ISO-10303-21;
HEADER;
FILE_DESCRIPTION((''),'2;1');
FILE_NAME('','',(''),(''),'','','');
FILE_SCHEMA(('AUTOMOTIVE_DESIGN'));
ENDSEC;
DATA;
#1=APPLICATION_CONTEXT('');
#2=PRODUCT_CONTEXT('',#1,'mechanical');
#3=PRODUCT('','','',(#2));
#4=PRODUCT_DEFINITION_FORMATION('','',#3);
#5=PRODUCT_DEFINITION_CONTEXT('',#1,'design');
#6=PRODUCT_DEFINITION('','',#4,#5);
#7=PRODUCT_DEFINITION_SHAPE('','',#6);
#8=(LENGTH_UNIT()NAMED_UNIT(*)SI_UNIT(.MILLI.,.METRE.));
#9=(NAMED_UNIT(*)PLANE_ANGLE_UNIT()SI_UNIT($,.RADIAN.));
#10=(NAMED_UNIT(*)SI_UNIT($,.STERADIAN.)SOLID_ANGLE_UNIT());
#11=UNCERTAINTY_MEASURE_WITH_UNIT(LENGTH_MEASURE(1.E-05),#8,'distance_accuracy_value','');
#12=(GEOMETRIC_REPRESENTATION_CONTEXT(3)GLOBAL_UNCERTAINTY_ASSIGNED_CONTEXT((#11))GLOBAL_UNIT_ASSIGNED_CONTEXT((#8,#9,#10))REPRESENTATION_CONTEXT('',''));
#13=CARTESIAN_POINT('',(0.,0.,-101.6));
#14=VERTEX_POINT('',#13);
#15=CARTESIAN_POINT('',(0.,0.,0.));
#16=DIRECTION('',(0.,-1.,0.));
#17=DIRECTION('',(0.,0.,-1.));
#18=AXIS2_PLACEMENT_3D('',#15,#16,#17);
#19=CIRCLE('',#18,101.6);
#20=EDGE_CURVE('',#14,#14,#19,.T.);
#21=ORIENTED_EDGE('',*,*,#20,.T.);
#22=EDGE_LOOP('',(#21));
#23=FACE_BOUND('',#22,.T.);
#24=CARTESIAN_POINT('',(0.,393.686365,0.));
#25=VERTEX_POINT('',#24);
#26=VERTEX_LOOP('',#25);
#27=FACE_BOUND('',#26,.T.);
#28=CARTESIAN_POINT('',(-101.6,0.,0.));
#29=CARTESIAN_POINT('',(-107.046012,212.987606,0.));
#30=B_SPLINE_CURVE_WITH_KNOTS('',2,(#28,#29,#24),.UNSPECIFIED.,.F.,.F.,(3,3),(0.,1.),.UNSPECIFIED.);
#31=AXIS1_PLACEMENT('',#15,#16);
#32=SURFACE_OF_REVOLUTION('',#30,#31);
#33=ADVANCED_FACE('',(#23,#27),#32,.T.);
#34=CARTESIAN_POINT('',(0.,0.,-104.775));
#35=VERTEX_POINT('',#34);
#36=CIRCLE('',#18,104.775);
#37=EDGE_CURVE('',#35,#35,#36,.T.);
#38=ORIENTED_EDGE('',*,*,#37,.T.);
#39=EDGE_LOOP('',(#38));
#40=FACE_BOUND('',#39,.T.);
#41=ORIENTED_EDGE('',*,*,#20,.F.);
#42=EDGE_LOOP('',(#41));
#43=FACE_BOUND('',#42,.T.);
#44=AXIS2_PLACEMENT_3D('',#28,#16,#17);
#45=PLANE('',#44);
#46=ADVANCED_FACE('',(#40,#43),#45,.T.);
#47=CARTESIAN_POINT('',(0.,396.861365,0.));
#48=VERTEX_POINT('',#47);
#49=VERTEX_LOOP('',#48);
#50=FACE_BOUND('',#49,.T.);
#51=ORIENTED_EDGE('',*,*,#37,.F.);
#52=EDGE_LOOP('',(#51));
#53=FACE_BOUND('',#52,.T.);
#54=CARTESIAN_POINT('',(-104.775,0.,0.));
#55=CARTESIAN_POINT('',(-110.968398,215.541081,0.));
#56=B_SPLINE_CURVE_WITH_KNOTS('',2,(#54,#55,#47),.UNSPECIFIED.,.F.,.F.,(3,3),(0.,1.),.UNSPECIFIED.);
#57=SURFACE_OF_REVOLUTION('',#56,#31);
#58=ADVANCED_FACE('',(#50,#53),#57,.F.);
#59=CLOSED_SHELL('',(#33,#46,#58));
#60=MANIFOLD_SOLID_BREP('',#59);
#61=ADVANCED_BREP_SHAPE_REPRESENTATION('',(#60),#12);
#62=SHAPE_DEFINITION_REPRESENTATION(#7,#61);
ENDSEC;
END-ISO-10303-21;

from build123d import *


with BuildPart() as part:
    # Sketch2 → Revolve2 (revolve)
    with BuildSketch(Plane.XY):
        with BuildLine():
            Line((-101.6, 0), (-104.775, 0))
            add(Edge.make_bspline(
                [(-104.775, 0), (-110.968397663, 215.541081293), (0, 396.861364613)],
                knots=[0, 0, 0, 1, 1, 1], degree=2))
            Line((0, 396.861364613), (0, 393.686364613))
            add(Edge.make_bspline(
                [(-101.6, 0), (-107.046011686, 212.987606476), (0, 393.686364613)],
                knots=[0, 0, 0, 1, 1, 1], degree=2))
        make_face()
    revolve(axis=Axis((0, 0, 0), (0, 1, 0)))


solid = part.part
